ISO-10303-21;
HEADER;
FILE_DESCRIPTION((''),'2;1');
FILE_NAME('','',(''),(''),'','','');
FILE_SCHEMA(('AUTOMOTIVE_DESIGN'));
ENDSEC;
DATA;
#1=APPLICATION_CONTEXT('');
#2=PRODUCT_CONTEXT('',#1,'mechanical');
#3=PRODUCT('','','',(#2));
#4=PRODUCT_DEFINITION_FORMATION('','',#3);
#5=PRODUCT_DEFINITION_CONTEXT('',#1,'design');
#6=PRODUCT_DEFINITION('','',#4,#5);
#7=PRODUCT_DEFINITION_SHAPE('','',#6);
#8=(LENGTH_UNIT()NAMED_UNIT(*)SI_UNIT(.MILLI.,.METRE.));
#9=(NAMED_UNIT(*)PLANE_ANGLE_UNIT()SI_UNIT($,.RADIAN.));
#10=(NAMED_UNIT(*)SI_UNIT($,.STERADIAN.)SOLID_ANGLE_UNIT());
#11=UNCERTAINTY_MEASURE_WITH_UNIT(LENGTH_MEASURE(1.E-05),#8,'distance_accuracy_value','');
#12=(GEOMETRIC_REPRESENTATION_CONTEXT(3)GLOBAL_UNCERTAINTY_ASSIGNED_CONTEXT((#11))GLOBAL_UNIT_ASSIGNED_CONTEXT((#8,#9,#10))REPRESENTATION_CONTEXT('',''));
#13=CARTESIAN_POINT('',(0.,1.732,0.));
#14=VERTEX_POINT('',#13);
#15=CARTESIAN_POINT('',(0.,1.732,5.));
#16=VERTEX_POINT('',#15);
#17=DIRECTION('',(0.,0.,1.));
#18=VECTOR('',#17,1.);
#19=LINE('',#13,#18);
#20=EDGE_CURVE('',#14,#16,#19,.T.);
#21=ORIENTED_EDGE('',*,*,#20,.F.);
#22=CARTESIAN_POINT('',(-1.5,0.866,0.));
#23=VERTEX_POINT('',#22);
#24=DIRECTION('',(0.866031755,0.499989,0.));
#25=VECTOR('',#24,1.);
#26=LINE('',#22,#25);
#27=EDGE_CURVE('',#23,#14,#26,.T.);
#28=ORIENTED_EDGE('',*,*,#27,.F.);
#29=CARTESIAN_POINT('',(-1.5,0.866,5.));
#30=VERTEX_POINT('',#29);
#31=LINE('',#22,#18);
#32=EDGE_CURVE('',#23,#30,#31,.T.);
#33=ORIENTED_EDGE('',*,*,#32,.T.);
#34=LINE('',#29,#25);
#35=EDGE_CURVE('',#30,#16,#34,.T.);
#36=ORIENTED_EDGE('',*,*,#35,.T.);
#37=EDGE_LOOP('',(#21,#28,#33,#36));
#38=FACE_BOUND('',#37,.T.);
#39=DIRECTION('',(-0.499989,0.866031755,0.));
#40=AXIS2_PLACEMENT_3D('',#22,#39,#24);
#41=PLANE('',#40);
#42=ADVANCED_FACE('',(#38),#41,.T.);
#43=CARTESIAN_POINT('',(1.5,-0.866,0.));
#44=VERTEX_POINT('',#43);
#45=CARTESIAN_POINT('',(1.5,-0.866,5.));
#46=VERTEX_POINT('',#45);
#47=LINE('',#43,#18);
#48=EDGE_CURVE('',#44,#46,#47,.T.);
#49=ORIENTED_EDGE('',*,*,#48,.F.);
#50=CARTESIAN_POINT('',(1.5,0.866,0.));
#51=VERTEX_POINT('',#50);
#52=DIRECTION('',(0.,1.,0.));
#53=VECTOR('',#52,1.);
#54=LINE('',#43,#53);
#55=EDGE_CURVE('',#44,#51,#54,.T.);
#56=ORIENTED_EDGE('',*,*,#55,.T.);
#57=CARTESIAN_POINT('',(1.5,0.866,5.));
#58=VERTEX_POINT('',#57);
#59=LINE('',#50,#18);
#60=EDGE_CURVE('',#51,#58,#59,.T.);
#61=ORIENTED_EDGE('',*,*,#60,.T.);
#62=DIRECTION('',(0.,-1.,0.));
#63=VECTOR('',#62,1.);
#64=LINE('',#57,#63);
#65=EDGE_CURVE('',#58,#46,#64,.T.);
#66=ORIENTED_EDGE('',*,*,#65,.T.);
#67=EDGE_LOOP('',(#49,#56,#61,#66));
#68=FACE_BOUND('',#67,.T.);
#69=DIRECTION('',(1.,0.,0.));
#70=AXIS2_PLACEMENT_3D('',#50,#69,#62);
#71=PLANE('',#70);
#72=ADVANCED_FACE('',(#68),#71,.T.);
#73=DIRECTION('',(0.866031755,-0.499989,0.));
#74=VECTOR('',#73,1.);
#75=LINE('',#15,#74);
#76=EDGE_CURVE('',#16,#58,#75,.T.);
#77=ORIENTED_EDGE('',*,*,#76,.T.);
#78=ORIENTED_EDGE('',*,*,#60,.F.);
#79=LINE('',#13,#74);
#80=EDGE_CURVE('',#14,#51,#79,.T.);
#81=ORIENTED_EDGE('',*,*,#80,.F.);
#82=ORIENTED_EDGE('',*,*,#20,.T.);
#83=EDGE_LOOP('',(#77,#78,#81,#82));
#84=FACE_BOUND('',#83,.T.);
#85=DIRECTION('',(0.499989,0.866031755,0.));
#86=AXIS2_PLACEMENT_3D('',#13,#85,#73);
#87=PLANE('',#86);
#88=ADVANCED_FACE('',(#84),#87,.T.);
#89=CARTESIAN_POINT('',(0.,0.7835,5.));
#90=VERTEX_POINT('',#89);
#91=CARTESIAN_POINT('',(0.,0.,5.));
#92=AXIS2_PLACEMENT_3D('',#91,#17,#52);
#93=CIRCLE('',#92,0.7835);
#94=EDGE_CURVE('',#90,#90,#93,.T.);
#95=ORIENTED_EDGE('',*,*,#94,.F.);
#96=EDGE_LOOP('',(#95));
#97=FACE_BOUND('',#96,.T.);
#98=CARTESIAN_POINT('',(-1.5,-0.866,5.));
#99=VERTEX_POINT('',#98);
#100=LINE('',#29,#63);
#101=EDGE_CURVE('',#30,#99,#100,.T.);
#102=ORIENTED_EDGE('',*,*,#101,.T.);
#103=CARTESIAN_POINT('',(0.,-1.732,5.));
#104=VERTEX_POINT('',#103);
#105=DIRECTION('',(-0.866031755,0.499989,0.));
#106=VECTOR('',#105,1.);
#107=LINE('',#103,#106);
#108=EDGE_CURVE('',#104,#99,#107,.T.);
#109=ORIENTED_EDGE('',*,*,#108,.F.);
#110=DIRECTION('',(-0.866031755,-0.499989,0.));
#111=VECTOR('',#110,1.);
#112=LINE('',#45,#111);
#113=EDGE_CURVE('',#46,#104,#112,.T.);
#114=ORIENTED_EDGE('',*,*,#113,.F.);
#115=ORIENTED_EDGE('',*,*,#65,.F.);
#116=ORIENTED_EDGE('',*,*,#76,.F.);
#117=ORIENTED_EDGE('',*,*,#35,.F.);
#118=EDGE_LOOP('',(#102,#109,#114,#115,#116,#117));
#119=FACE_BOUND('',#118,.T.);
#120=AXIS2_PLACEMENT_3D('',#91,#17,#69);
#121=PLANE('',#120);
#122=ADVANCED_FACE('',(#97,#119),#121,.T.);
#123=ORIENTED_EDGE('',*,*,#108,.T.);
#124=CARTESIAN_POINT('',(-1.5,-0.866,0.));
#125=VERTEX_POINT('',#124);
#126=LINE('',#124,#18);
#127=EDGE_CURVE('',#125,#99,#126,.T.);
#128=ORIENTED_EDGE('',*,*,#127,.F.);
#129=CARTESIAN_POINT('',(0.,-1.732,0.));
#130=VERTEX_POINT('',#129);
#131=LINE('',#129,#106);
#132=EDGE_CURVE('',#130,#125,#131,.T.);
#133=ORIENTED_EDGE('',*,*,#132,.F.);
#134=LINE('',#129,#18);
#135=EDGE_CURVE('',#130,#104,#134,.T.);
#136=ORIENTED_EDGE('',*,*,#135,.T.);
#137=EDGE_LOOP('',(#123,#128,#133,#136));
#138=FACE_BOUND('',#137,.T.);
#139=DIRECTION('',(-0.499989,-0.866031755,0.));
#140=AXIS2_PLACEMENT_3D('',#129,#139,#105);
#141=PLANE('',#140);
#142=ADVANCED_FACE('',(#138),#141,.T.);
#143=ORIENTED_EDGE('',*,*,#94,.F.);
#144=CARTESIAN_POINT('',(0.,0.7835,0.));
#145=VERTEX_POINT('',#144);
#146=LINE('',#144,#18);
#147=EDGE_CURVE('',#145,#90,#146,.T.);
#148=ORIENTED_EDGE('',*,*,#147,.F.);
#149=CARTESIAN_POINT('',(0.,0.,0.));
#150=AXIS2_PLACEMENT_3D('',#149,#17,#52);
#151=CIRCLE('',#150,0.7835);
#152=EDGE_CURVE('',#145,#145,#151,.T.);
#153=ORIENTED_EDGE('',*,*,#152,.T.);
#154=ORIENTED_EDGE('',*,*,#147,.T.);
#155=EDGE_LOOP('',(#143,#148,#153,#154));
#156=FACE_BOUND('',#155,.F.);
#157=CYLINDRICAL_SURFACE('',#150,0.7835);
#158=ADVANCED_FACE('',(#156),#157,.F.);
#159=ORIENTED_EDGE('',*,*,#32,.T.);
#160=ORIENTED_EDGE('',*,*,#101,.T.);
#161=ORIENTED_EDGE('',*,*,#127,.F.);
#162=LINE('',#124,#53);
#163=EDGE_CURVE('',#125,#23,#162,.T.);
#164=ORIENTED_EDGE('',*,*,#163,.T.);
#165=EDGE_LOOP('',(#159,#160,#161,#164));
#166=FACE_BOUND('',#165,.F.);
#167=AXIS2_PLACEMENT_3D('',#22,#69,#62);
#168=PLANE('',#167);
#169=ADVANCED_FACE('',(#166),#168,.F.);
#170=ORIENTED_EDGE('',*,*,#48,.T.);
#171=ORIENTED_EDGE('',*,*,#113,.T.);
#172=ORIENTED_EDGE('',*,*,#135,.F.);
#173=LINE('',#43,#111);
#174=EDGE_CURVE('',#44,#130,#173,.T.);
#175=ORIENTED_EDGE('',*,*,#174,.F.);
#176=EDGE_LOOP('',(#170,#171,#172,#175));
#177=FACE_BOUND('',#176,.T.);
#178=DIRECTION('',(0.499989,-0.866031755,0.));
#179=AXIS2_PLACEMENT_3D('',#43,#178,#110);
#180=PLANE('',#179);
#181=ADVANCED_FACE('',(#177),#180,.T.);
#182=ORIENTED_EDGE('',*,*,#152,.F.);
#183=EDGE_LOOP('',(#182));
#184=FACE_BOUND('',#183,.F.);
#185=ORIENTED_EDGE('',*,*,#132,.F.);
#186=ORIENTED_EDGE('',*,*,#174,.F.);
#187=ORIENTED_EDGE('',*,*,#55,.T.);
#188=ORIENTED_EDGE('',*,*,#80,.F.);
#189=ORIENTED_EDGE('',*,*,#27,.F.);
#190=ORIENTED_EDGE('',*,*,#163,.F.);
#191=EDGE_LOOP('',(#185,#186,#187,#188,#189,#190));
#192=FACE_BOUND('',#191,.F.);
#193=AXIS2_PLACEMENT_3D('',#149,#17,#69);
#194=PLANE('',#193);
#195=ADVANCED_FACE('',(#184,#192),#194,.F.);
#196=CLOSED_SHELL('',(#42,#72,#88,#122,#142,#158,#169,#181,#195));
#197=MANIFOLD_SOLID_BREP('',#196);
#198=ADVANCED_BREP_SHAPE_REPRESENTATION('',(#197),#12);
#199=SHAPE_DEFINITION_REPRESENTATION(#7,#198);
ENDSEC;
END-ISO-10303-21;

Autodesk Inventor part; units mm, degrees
ref_plane "YZ Plane" through (0, 0, 0) normal (1, 0, 0) x (0, 1, 0)
ref_plane "XZ Plane" through (0, 0, 0) normal (0, 1, 0) x (-1, 0, 0)
ref_plane "XY Plane" through (0, 0, 0) normal (0, 0, 1) x (1, 0, 0)
sketch "Sketch1" plane through (0, 0, 0) normal (0, 0, 1) x (1, 0, 0)
  line L0 (1.5, 0.866) -> (1.5, -0.866)
  line L1 (1.5, -0.866) -> (0, -1.732)
  line L2 (0, -1.732) -> (-1.5, -0.866)
  line L3 (-1.5, 0.866) -> (-1.5, -0.866)
  line L4 (-1.5, 0.866) -> (0, 1.732)
  line L5 (0, 1.732) -> (1.5, 0.866)
  circle A0 centre (0, 0) radius 1.732 construction
  line L6 (0, 30.018) -> (0, -6.2677) construction
  line L7 (0, -13.5249) -> (0, 37.2751) projected
  line L8 (-2.4248, 0) -> (2.4248, 0) projected
  dimension "d0" = 3.464
  dimension "d20" = 2.9999
  dimension "d21" = 1.732
extrude "Hexagon1" add sketch "Sketch1" along normal blind 5
hole "Hole1" at (0, 0, 0) direction (0, 0, 1) diameter 1.567 end through all thread size "M2x0.4" class "6H" standard "ISO Metric profile"
properties part number "Spacer-M2-FF-05" material "Brass, Soft Yellow, Welded"
